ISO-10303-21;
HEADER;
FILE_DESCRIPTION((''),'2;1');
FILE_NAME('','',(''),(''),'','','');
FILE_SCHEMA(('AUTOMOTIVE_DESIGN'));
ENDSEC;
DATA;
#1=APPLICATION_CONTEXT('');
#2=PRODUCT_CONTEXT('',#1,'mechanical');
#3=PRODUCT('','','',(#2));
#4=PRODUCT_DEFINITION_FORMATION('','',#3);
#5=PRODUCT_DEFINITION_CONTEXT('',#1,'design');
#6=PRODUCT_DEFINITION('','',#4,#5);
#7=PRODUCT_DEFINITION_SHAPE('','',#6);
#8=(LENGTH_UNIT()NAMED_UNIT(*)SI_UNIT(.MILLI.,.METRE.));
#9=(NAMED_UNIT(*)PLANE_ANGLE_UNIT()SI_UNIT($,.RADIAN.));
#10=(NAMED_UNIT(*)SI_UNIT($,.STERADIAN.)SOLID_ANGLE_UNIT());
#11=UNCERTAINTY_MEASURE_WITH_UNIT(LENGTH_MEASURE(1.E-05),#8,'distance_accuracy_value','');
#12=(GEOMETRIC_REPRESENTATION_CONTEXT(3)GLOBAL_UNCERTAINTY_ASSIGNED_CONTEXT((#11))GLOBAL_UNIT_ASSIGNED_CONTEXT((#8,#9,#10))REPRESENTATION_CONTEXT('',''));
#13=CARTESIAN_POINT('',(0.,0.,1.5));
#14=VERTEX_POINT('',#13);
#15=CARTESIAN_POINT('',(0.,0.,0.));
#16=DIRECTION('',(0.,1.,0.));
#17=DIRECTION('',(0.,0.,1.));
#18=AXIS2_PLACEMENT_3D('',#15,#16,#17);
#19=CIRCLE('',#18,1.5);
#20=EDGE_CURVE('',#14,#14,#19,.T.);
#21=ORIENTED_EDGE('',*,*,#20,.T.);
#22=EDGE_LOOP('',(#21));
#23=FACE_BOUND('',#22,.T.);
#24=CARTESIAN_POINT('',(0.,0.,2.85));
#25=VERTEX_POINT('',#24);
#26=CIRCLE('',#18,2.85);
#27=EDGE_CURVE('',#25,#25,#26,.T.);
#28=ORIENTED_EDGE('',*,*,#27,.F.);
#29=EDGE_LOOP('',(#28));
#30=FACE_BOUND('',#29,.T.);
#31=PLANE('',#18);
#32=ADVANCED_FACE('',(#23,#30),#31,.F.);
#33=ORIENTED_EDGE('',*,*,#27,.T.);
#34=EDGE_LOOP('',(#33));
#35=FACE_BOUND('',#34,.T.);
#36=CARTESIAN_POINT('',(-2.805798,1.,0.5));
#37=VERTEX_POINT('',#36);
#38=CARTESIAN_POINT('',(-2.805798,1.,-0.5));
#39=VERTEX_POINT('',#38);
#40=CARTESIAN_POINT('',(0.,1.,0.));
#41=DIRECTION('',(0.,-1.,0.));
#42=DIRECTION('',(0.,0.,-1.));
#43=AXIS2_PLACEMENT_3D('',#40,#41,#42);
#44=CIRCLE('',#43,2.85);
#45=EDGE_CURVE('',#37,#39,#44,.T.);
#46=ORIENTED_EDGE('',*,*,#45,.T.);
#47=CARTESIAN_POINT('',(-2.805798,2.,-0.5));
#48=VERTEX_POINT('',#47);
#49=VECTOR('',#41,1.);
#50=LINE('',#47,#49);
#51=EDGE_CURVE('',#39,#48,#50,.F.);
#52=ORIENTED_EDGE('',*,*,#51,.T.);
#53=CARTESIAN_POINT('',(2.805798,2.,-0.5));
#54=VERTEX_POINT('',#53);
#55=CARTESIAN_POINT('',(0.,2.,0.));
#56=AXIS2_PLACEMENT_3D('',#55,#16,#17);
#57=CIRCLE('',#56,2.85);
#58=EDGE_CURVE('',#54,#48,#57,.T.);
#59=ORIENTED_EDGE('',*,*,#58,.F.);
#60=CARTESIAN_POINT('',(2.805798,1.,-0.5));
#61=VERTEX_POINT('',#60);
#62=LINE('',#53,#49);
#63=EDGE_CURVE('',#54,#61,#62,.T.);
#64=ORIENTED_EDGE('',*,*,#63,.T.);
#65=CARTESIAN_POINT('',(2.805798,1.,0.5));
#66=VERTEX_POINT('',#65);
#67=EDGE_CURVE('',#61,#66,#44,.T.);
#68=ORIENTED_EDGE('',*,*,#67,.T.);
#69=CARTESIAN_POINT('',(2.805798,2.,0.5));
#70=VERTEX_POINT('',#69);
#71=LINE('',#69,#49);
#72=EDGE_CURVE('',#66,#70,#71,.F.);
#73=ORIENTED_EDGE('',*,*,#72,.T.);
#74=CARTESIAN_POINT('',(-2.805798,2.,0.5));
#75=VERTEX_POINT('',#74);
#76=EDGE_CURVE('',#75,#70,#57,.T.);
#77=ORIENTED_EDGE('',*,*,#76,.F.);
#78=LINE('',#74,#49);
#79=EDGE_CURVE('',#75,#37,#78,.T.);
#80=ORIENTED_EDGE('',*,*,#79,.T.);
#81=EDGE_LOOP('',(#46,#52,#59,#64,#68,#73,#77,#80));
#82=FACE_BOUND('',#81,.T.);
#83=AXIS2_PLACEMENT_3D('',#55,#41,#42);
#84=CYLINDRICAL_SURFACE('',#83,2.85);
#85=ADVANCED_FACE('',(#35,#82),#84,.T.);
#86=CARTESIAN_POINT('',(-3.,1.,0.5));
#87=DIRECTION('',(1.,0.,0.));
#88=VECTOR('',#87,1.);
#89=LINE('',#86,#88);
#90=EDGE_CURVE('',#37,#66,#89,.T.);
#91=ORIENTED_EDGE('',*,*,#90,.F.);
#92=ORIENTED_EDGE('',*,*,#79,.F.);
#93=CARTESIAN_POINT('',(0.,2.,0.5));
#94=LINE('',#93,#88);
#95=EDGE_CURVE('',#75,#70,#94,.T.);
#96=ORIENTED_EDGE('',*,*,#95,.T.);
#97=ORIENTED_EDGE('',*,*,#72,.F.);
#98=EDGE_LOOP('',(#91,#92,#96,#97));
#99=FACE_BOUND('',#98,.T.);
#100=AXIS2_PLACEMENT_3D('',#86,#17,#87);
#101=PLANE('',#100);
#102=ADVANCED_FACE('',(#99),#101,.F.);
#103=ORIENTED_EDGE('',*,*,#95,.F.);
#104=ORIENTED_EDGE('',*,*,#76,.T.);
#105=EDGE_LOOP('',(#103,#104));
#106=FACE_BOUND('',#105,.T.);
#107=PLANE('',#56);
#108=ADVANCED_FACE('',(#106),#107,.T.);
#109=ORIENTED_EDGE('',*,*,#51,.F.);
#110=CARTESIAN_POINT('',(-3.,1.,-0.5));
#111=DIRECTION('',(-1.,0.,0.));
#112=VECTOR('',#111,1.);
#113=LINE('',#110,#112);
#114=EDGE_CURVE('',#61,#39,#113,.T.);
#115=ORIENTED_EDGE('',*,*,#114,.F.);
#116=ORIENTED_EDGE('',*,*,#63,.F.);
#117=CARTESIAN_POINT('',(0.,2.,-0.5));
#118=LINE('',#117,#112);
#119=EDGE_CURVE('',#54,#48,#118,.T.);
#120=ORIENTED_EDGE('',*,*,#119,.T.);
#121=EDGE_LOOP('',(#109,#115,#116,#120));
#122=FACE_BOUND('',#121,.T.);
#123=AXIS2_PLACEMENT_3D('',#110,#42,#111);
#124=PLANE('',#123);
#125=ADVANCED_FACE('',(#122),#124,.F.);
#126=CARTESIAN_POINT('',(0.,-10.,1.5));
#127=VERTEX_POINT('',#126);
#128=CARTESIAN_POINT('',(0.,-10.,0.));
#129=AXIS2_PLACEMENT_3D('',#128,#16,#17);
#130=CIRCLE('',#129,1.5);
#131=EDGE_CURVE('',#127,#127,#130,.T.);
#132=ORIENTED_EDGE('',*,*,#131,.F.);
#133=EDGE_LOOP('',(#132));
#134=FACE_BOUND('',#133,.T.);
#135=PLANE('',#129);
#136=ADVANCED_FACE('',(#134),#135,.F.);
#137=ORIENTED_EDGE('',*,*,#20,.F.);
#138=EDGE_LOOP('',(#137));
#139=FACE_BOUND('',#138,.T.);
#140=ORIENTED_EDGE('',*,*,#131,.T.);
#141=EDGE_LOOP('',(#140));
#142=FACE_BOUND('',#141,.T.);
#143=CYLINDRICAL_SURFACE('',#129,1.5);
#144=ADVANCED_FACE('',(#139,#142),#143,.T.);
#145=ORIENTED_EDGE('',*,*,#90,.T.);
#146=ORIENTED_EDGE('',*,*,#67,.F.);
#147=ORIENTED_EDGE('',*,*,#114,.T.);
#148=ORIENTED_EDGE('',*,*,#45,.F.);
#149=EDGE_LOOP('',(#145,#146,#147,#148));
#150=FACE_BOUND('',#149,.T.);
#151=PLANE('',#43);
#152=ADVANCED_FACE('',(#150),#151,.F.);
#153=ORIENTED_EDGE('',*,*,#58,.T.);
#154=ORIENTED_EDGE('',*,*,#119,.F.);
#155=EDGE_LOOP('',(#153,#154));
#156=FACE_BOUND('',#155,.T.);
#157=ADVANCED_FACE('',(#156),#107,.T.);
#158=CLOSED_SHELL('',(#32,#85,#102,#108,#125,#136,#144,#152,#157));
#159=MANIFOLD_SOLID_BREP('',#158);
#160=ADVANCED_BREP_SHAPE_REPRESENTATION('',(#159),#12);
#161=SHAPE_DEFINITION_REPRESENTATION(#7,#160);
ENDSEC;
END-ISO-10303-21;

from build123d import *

# Parameters (mm, degrees)
SKETCH1_R           = 2.85
BOSS_EXTRUDE1_DEPTH = 2
SKETCH2_R           = 1.5
BOSS_EXTRUDE2_DEPTH = 10
SKETCH3_W           = 6
SKETCH3_H           = 1
CUT_EXTRUDE1_DEPTH  = 1


with BuildPart() as part:
    # Sketch1 → Boss-Extrude1 (new body)
    with BuildSketch(Plane(origin=(0, 0, 0), x_dir=(1, 0, 0), z_dir=(0, 1, 0))):
        with Locations(Location((0, 0, 0), (0, 0, 270))):
            Circle(SKETCH1_R)
    extrude(amount=BOSS_EXTRUDE1_DEPTH)

    # Sketch2 → Boss-Extrude2 (add)
    with BuildSketch(Plane(origin=(0, 0, 0), x_dir=(1, 0, 0), z_dir=(0, 1, 0))):
        with Locations(Location((0, 0, 0), (0, 0, 270))):
            Circle(SKETCH2_R)
    extrude(amount=-BOSS_EXTRUDE2_DEPTH)

    # Sketch3 → Cut-Extrude1 (cut)
    with BuildSketch(Plane(origin=(0, 2, 0), x_dir=(1, 0, 0), z_dir=(0, 1, 0))):
        Rectangle(SKETCH3_W, SKETCH3_H)
    extrude(amount=-CUT_EXTRUDE1_DEPTH, mode=Mode.SUBTRACT)


solid = part.part
